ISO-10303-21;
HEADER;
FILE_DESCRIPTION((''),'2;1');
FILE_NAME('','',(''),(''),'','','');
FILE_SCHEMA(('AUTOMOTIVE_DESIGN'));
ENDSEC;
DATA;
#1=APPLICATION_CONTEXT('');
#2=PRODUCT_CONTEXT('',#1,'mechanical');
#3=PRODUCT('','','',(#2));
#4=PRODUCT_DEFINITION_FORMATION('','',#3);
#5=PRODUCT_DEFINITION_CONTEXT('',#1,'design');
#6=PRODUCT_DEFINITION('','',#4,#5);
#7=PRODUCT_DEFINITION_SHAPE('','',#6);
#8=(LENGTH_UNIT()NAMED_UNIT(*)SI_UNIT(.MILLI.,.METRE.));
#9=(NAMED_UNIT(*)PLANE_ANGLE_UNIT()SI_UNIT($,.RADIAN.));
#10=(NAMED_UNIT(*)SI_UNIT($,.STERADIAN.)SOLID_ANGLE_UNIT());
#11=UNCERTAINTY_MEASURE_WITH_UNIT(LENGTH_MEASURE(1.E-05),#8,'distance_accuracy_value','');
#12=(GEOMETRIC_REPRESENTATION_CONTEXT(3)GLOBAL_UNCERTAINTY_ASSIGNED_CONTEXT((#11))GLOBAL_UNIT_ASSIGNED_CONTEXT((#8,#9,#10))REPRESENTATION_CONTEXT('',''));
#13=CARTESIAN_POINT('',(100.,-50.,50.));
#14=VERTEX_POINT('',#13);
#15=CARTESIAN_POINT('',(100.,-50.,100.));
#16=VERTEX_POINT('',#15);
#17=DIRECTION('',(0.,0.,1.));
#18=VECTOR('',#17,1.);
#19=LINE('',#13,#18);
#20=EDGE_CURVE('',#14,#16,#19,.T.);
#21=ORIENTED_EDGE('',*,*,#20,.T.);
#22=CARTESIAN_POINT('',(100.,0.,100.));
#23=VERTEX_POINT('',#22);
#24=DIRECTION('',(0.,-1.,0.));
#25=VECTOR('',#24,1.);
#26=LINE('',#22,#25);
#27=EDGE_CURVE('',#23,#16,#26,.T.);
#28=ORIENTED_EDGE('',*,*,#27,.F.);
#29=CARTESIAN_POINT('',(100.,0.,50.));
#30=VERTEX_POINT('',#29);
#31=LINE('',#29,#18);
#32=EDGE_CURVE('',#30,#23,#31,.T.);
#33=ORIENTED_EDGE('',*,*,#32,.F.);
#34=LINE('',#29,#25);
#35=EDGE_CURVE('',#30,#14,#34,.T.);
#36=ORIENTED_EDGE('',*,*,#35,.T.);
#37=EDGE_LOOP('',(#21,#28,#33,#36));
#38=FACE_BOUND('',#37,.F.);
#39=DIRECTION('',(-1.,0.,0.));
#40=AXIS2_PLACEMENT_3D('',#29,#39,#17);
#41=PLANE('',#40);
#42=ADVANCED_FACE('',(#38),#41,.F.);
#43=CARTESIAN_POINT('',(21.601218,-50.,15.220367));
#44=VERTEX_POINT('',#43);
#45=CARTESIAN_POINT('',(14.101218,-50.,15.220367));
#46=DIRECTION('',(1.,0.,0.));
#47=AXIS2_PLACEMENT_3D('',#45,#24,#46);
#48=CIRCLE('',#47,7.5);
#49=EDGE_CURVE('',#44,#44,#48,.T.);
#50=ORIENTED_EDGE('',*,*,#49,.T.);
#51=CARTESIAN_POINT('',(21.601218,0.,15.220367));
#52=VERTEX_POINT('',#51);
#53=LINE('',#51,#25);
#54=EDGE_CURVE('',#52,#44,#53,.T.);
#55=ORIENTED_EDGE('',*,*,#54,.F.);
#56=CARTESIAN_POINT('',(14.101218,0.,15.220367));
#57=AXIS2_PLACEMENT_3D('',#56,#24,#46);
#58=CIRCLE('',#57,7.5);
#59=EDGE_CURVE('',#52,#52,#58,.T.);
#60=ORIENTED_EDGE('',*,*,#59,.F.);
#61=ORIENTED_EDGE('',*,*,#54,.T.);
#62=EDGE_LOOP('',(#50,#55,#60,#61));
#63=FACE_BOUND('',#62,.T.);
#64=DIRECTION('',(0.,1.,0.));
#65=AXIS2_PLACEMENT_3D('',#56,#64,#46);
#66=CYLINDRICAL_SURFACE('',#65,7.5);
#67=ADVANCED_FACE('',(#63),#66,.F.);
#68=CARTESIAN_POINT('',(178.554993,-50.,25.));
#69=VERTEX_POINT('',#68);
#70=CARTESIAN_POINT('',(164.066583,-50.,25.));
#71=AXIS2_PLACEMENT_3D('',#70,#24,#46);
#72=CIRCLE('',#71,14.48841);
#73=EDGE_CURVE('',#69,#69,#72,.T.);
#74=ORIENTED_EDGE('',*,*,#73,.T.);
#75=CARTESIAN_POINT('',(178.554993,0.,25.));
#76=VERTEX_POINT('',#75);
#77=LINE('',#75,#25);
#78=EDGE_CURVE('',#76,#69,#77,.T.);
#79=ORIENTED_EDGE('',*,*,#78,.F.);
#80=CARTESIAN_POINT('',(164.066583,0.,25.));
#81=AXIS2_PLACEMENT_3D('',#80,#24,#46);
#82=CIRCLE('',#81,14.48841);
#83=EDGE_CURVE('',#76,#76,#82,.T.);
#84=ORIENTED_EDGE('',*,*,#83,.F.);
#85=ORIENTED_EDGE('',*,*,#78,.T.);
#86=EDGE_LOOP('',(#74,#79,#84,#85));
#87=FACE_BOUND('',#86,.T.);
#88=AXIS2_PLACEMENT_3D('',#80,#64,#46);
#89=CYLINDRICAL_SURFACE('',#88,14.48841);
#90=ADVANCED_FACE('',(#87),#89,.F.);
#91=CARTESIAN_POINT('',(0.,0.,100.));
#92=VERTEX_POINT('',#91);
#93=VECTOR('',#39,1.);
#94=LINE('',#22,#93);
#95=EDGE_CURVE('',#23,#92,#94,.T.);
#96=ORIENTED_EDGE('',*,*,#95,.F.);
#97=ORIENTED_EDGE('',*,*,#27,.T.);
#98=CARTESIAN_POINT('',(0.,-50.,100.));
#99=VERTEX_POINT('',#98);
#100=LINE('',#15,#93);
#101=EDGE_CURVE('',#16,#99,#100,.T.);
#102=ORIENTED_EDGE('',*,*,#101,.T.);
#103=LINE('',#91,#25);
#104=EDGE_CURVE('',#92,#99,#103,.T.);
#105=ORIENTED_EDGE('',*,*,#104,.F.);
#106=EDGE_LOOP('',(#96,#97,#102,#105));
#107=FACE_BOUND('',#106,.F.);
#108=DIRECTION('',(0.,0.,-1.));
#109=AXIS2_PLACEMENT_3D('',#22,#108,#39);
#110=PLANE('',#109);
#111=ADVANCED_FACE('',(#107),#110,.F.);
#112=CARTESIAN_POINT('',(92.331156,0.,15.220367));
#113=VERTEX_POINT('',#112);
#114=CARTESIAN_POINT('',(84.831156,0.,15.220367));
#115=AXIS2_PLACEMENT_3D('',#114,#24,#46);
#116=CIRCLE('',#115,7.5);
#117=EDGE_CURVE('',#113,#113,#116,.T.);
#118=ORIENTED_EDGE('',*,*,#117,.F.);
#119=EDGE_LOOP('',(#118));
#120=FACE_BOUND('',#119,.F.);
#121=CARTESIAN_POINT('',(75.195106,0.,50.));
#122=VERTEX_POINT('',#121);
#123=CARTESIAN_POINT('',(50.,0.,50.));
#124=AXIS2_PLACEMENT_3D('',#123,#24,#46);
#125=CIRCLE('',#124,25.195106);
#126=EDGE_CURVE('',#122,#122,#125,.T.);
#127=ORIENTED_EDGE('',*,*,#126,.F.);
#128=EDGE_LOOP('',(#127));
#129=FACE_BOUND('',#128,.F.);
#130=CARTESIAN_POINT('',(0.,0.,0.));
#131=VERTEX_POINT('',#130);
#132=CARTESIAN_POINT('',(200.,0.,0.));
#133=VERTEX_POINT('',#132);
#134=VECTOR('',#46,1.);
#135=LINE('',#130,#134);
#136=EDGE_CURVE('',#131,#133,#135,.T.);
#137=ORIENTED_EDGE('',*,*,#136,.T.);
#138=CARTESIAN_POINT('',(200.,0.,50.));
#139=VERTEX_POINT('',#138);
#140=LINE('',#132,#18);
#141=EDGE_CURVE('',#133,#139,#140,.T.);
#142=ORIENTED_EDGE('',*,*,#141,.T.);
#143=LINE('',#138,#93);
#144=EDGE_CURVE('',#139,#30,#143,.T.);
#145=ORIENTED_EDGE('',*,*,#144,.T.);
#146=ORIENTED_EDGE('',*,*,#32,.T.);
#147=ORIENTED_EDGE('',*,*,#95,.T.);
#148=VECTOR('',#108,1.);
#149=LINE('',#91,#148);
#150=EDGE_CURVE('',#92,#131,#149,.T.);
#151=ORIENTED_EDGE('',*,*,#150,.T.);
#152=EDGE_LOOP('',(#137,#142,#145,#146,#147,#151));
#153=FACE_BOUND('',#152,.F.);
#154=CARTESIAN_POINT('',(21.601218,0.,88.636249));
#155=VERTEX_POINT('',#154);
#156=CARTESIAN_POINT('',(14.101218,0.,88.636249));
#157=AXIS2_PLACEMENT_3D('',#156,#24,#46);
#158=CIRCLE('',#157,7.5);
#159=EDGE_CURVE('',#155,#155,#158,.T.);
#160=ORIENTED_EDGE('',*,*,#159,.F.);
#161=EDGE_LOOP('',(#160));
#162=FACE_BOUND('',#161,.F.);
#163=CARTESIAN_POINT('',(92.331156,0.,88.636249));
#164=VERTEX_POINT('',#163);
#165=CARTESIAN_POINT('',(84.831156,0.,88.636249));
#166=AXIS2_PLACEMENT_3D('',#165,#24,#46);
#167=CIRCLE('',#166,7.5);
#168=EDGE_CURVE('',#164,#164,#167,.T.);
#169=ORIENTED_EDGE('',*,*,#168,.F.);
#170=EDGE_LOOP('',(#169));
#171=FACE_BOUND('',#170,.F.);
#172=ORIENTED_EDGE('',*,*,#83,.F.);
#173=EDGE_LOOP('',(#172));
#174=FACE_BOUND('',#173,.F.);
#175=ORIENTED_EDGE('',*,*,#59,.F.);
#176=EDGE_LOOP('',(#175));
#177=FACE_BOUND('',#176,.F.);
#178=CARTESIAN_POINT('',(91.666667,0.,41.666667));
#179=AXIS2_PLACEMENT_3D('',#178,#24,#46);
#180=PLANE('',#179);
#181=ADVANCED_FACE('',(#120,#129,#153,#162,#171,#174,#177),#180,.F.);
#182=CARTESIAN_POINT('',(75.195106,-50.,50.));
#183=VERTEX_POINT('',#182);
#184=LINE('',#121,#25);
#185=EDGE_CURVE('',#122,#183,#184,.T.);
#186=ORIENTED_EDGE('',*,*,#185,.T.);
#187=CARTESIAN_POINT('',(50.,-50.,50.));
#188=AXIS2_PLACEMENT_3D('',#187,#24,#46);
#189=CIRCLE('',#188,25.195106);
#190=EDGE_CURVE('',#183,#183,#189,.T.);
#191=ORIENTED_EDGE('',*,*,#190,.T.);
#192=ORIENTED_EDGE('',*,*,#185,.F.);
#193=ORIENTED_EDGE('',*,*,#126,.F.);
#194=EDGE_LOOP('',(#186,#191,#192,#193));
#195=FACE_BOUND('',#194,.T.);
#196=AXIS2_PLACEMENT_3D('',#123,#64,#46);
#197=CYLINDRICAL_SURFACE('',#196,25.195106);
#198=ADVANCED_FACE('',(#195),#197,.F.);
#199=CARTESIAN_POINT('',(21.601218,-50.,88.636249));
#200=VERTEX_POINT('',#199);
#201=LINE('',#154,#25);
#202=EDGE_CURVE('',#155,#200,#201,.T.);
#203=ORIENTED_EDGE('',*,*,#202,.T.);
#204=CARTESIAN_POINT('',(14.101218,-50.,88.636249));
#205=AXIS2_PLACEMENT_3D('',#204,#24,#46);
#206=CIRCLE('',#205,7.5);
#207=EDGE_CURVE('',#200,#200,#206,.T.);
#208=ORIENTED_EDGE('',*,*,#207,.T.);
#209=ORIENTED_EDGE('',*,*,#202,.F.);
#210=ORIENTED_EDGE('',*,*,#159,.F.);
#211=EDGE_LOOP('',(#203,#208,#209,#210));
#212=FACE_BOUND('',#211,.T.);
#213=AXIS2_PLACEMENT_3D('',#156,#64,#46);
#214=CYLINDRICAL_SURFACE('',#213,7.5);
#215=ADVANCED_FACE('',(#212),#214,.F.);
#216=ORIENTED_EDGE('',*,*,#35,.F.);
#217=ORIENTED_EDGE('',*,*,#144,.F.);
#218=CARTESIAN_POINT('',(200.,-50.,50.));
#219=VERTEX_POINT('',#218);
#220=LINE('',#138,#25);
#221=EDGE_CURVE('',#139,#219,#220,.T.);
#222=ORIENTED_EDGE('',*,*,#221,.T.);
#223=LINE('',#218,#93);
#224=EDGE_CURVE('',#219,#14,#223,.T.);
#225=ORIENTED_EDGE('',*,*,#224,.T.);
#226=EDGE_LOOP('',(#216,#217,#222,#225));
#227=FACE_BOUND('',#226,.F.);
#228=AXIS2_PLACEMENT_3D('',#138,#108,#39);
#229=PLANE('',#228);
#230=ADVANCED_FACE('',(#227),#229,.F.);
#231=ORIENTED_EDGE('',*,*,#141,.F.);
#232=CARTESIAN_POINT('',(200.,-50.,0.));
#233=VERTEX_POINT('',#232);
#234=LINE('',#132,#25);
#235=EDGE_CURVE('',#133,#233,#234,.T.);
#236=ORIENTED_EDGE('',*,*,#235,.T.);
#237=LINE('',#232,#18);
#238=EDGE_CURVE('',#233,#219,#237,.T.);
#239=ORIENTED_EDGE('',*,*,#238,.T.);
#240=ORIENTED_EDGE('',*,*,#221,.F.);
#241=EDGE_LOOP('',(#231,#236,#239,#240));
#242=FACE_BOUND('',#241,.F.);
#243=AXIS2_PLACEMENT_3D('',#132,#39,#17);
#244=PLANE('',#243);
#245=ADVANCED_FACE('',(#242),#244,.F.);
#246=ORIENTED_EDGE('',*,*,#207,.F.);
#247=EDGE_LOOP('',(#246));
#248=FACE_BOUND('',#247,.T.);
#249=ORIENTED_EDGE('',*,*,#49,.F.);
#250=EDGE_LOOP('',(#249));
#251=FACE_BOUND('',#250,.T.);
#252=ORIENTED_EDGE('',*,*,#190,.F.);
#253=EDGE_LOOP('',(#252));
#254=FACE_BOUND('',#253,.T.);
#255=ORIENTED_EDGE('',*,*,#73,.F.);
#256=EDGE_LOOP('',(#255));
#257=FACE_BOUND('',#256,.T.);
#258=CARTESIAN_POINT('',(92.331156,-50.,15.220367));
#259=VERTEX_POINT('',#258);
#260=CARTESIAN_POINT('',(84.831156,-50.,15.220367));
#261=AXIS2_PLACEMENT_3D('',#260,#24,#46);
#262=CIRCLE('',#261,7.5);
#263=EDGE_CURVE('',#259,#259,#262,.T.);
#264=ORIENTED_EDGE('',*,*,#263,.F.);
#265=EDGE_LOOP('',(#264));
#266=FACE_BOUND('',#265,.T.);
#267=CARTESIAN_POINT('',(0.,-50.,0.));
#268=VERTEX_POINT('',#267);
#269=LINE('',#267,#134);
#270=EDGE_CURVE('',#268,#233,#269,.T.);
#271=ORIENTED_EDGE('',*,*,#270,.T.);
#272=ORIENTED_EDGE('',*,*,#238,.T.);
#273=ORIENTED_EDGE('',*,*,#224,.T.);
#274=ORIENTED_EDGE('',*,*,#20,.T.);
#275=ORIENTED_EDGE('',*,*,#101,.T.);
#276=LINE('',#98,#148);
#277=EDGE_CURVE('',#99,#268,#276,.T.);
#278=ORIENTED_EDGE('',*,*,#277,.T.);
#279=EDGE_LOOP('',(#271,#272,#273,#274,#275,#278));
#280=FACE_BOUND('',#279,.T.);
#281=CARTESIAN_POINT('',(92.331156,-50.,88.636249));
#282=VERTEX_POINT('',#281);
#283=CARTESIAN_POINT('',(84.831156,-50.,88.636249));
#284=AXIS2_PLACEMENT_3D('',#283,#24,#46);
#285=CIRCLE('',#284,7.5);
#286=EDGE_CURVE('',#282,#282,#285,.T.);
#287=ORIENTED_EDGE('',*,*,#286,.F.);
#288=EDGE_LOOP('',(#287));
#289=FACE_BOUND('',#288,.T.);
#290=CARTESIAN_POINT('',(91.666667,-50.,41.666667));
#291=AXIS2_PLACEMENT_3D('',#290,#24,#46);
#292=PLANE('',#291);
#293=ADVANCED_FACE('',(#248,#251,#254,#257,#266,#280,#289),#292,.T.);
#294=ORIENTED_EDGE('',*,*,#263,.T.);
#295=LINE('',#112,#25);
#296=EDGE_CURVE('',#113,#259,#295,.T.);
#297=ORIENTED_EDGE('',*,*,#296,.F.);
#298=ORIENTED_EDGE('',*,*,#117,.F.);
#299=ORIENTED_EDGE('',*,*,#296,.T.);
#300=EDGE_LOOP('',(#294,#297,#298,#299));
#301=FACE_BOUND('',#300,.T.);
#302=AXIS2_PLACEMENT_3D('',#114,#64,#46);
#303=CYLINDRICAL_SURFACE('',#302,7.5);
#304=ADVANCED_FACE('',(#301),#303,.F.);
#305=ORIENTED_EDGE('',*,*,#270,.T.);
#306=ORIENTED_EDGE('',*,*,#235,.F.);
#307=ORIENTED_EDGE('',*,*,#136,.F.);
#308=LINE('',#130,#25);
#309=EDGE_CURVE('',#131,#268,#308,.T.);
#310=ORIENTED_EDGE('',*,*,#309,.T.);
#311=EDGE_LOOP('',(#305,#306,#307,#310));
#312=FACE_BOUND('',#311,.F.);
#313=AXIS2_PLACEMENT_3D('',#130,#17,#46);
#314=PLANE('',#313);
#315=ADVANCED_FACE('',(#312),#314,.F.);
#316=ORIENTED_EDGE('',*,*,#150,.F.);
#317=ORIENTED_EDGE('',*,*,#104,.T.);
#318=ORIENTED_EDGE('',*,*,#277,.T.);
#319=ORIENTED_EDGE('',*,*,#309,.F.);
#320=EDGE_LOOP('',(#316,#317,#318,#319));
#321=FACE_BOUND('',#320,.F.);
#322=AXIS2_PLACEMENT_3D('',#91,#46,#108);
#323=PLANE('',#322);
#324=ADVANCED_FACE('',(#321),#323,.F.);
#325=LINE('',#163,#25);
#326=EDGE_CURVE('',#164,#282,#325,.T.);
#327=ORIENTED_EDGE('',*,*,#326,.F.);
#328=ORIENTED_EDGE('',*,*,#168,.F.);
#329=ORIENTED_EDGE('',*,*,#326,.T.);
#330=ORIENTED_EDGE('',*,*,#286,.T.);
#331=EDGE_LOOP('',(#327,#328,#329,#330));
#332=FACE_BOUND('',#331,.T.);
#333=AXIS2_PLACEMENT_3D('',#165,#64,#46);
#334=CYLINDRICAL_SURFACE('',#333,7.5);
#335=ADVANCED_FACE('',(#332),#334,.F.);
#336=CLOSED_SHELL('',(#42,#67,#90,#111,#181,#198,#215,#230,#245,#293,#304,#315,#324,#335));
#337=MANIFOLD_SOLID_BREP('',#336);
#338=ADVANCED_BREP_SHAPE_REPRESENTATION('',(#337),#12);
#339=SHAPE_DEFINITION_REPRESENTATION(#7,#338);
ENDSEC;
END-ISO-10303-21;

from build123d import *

# Parameters (mm, degrees)
F0_R     = 7.5
F0_R_2   = 14.48841
F0_R_3   = 25.195106
F1_DEPTH = 50


with BuildPart() as f1:
    # F0 (on Front) → F1 (new body)
    with BuildSketch(Plane.XZ):
        Polygon((0, 100), (0, 0), (200, 0), (200, 50), (100, 50), (100, 100), align=None)
        with Locations((14.101218, 15.220367)):
            Circle(F0_R, mode=Mode.SUBTRACT)
        with Locations((84.831156, 15.220367)):
            Circle(F0_R, mode=Mode.SUBTRACT)
        with Locations((164.066583, 25)):
            Circle(F0_R_2, mode=Mode.SUBTRACT)
        with Locations((50, 50)):
            Circle(F0_R_3, mode=Mode.SUBTRACT)
        with Locations((14.101218, 88.636249)):
            Circle(F0_R, mode=Mode.SUBTRACT)
        with Locations((84.831156, 88.636249)):
            Circle(F0_R, mode=Mode.SUBTRACT)
    extrude(amount=F1_DEPTH)


solid = f1.part
